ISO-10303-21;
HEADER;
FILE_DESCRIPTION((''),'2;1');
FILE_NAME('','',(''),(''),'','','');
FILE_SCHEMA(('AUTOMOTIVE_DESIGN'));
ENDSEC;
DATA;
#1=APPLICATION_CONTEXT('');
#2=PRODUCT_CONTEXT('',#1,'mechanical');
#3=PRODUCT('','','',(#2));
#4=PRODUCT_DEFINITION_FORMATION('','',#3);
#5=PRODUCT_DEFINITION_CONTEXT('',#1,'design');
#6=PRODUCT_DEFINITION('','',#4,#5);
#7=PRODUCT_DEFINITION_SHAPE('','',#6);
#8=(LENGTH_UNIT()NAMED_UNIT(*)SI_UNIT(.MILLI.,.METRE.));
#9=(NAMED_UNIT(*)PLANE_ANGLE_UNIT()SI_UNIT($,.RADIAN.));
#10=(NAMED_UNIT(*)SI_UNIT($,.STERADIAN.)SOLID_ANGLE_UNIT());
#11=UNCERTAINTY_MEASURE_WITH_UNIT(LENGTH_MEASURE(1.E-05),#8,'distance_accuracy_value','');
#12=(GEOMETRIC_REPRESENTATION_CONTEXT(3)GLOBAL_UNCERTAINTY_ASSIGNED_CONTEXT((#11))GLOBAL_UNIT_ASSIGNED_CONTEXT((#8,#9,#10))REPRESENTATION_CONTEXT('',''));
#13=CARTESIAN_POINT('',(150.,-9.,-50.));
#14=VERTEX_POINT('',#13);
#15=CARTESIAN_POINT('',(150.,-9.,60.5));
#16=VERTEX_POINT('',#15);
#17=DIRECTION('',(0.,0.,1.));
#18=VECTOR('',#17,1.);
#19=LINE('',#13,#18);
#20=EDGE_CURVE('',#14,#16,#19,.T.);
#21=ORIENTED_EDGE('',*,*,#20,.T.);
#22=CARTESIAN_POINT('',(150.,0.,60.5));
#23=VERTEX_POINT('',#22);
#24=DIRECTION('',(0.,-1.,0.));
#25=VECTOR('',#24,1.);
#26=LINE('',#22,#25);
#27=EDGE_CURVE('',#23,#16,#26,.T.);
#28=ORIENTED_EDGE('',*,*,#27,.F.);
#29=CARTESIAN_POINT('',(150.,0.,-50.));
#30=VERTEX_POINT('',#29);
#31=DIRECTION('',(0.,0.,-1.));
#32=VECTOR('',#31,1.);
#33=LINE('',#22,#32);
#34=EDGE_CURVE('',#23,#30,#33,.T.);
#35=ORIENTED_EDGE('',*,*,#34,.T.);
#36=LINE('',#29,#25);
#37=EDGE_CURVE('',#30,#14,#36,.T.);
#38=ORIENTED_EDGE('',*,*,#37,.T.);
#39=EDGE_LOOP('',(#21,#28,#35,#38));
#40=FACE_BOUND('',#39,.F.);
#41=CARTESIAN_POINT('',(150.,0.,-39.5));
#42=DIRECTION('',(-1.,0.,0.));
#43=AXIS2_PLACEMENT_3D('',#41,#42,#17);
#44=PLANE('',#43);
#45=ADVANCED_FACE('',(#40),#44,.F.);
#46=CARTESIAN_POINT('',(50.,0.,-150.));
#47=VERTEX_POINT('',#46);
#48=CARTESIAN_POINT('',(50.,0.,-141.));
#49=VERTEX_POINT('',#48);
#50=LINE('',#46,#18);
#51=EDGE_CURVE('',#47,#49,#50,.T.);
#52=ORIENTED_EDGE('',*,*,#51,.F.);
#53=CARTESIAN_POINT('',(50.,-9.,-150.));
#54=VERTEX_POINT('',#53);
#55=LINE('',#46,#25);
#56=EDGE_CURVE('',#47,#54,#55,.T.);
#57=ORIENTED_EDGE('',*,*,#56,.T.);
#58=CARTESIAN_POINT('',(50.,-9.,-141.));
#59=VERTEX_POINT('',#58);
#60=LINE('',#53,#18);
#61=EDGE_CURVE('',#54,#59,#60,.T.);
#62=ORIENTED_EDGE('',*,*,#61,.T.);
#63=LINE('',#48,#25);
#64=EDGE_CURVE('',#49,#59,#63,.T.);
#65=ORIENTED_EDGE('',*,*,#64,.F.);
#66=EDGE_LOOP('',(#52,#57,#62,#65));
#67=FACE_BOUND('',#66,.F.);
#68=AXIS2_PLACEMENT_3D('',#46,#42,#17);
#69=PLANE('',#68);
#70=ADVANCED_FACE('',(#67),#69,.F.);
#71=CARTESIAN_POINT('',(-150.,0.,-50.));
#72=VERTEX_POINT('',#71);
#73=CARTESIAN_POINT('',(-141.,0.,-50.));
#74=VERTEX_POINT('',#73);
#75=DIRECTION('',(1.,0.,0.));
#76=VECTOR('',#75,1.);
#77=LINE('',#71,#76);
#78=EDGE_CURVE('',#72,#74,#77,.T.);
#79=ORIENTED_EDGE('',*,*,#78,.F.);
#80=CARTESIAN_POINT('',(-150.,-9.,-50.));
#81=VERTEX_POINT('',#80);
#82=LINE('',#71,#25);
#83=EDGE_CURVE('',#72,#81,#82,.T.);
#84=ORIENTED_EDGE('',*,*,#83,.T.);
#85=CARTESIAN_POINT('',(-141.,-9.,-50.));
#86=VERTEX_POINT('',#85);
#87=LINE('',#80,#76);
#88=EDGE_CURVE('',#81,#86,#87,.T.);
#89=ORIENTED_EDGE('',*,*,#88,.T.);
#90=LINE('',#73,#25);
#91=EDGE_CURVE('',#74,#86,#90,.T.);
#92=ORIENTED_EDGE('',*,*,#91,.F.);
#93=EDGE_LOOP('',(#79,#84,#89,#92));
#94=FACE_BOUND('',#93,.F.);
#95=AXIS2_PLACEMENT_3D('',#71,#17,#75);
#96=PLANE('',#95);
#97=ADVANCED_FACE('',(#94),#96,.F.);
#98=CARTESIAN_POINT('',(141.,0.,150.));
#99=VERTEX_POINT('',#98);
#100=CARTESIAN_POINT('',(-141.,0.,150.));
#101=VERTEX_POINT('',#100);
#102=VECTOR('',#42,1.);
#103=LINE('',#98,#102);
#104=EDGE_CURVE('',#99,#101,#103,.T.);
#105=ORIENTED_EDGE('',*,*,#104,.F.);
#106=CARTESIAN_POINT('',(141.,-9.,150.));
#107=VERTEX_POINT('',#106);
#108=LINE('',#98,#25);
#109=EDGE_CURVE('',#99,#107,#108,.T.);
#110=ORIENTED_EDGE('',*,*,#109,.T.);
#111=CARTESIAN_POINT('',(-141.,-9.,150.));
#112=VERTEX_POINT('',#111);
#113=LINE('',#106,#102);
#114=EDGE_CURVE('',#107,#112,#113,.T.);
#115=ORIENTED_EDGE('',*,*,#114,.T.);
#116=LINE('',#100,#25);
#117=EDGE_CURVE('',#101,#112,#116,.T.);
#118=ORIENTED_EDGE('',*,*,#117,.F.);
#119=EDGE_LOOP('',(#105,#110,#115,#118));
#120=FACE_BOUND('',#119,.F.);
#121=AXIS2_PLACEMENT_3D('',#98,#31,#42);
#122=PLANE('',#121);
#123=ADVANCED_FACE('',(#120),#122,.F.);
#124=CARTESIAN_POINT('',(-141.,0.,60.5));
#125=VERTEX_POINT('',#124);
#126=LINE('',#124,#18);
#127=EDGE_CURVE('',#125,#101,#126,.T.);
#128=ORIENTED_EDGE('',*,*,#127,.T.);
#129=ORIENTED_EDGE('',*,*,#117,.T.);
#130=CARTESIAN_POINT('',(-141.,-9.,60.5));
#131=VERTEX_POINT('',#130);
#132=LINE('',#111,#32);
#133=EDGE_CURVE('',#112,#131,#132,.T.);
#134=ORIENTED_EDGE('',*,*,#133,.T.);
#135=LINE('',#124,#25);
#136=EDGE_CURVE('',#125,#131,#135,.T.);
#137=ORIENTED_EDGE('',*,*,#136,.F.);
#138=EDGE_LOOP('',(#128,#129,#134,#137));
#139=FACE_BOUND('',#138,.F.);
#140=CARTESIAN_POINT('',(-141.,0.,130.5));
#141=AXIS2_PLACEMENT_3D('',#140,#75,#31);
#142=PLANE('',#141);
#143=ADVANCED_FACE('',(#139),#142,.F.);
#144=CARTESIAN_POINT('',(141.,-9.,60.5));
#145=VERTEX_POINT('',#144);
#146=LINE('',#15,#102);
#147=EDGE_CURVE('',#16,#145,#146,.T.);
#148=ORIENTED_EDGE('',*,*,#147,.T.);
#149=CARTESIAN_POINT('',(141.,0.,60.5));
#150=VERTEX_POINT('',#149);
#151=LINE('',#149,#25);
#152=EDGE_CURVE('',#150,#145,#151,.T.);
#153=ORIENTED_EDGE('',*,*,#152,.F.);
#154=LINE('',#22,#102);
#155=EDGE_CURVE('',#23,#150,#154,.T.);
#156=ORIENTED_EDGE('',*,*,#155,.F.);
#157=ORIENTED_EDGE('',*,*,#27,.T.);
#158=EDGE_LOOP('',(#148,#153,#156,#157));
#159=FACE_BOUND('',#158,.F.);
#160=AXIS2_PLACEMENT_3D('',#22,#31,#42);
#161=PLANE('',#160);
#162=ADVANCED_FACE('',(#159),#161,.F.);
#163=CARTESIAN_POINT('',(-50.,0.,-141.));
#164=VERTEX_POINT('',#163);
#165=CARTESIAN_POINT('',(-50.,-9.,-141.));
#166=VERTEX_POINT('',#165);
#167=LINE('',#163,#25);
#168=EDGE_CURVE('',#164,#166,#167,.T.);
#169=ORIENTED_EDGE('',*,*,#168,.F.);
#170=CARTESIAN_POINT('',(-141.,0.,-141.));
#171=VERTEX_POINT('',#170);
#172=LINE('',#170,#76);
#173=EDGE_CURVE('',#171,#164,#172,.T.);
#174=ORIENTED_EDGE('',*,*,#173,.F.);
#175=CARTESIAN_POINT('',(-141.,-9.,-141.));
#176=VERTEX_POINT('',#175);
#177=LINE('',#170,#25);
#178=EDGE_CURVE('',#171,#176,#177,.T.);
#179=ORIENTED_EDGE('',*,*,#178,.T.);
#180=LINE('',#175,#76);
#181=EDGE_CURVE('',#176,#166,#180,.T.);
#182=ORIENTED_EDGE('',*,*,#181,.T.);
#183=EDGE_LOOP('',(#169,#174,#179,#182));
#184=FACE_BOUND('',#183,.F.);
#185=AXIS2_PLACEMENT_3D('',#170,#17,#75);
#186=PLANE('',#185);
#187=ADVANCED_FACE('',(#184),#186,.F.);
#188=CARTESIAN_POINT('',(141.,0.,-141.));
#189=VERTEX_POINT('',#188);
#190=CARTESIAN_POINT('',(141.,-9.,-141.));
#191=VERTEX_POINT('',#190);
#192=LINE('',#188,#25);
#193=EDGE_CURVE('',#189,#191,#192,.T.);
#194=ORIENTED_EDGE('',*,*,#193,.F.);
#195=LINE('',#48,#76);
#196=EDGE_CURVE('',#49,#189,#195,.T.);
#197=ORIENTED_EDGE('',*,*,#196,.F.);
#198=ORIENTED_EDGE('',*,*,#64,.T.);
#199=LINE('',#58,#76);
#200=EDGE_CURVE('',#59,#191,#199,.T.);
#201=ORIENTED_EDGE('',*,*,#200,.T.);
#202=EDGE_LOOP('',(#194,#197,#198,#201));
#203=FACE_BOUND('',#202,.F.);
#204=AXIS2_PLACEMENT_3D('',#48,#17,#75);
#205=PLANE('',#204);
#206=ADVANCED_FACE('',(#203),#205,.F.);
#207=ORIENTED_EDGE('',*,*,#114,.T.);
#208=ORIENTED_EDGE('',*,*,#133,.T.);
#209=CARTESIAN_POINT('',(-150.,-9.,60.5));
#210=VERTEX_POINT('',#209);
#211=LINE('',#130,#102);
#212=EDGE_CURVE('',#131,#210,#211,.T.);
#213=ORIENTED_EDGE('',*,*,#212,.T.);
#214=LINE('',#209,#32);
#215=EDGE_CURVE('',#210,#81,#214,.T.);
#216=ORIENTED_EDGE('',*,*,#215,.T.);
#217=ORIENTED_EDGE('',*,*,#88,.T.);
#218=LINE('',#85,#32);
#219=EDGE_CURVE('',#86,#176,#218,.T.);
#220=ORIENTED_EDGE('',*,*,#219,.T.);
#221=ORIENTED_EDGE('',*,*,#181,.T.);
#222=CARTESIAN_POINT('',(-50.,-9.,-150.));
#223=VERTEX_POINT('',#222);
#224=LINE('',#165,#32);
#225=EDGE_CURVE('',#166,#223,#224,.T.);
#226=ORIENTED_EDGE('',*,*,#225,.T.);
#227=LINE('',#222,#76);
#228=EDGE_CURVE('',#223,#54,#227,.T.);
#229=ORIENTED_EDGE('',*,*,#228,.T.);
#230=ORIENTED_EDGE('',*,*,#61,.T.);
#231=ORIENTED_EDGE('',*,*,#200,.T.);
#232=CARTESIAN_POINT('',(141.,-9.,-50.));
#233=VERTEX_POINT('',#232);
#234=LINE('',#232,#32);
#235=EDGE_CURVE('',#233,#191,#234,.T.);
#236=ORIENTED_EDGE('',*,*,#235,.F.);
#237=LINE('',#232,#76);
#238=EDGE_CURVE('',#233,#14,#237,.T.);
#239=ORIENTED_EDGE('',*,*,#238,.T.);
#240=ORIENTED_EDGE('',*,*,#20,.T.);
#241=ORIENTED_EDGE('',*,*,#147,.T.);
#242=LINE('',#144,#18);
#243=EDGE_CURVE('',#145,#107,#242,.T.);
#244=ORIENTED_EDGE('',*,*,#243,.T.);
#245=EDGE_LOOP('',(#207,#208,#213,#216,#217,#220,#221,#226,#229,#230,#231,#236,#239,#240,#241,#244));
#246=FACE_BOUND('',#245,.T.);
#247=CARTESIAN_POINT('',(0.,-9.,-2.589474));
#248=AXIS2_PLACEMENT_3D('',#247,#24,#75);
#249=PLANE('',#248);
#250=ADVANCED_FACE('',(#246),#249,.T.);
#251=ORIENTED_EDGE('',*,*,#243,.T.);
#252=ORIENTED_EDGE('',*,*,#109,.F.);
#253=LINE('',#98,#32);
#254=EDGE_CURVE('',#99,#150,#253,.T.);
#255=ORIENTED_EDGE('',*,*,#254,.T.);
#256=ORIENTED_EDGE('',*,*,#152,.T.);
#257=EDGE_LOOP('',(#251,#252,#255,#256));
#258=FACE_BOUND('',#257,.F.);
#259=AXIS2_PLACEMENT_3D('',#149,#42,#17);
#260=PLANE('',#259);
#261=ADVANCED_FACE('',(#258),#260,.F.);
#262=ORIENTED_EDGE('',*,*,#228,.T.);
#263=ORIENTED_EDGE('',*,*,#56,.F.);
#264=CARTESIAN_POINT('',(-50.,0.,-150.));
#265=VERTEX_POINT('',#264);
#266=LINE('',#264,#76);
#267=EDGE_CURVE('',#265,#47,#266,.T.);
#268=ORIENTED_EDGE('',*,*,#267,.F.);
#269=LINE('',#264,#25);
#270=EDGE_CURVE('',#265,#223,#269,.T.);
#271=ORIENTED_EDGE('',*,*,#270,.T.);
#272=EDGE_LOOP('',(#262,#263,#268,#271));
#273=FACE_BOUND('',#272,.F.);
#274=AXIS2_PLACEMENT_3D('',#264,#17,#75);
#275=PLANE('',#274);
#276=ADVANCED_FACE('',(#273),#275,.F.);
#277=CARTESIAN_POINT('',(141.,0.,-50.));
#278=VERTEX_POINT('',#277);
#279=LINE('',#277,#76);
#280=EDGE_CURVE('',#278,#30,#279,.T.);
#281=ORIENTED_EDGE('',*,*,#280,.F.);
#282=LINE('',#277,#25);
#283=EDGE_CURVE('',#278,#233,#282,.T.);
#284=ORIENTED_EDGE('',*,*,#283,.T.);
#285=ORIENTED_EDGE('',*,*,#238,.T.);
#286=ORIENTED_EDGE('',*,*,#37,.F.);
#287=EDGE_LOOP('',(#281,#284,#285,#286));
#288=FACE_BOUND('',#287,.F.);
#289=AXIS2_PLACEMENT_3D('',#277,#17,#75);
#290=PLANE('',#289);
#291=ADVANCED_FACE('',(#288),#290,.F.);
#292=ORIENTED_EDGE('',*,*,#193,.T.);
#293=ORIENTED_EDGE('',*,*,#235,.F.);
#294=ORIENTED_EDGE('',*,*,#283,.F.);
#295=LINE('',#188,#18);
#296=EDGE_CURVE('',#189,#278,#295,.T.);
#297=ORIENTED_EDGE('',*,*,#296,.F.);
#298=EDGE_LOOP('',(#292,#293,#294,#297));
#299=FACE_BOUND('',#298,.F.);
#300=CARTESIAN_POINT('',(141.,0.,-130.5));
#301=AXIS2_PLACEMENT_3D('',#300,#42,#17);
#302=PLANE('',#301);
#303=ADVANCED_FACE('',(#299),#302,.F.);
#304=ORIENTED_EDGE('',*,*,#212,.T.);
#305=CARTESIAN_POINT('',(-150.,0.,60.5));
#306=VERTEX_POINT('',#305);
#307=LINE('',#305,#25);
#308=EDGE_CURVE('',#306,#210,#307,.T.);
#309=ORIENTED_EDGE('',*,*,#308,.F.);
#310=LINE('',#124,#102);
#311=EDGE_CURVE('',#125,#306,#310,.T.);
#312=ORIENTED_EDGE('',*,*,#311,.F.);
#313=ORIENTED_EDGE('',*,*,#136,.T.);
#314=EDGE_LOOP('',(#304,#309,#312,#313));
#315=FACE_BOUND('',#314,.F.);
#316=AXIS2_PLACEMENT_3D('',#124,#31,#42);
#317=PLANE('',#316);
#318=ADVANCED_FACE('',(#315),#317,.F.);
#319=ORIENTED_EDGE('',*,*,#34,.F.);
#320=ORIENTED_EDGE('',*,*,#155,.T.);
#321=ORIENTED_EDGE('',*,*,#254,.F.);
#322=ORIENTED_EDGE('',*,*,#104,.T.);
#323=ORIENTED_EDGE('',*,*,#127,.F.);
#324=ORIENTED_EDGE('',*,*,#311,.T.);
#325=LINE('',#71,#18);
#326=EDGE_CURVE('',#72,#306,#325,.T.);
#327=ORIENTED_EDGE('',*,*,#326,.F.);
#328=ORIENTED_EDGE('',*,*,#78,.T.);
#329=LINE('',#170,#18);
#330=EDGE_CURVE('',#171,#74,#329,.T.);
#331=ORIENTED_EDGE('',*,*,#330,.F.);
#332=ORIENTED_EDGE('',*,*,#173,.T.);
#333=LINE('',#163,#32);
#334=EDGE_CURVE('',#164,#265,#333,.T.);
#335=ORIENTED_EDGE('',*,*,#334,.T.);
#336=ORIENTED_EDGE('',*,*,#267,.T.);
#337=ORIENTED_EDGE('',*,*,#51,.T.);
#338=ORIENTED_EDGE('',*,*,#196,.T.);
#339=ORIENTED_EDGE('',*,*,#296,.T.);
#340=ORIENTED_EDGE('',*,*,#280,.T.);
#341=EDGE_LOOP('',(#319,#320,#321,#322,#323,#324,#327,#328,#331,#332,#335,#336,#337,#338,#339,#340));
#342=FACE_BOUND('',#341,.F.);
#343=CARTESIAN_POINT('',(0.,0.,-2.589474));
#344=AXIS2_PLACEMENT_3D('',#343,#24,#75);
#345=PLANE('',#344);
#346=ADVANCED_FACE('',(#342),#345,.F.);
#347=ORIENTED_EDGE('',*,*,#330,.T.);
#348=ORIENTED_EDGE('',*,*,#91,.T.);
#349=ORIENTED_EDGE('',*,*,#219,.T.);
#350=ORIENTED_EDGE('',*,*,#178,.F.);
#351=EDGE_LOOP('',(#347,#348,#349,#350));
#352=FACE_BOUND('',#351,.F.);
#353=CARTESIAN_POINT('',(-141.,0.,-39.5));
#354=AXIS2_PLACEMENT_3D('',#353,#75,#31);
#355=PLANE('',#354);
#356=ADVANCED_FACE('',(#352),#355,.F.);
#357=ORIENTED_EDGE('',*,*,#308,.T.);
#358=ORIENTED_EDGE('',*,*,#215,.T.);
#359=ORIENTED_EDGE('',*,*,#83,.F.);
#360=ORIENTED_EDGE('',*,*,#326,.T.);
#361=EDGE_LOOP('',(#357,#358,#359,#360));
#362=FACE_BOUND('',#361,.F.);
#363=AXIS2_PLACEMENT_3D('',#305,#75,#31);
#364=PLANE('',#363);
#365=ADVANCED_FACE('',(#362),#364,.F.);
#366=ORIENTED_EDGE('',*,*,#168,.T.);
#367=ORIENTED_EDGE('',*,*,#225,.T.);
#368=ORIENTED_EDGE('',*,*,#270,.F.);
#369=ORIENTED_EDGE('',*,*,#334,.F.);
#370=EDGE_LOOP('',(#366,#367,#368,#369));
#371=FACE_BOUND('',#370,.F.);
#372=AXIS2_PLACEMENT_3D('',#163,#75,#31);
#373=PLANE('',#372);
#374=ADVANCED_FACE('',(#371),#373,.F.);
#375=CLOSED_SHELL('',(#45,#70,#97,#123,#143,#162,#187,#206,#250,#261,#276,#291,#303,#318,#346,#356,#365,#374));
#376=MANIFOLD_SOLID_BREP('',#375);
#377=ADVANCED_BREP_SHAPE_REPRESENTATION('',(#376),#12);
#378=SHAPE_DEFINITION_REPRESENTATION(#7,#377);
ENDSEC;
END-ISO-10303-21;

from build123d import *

# Parameters (mm, degrees)
F5_DEPTH = 9
F6_DEPTH = 9


with BuildPart() as f5:
    # F4 (on Front) → F5 (new body)
    with BuildSketch(Plane.XZ):
        Polygon((50, -130.5), (141, -130.5), (141, -39.5), (150, -39.5), (150, 60.5), (141, 60.5), (141, 130.5), (-141, 130.5), (-141, 60.5), (-150, 60.5), (-150, -39.5), (-141, -39.5), (-141, -130.5), (-50, -130.5), (-50, -139.5), (50, -139.5), align=None)
    extrude(amount=F5_DEPTH)

    # F1 (on face) → F6 (join)
    with BuildSketch(Plane.XZ):
        Polygon((141, 50), (141, 150), (-141, 150), (-141, 50), (-150, 50), (-150, -50), (-141, -50), (-141, -141), (-50, -141), (-50, -150), (50, -150), (50, -141), (141, -141), (141, -50), (150, -50), (150, 50), align=None)
    extrude(amount=F6_DEPTH)


solid = f5.part
